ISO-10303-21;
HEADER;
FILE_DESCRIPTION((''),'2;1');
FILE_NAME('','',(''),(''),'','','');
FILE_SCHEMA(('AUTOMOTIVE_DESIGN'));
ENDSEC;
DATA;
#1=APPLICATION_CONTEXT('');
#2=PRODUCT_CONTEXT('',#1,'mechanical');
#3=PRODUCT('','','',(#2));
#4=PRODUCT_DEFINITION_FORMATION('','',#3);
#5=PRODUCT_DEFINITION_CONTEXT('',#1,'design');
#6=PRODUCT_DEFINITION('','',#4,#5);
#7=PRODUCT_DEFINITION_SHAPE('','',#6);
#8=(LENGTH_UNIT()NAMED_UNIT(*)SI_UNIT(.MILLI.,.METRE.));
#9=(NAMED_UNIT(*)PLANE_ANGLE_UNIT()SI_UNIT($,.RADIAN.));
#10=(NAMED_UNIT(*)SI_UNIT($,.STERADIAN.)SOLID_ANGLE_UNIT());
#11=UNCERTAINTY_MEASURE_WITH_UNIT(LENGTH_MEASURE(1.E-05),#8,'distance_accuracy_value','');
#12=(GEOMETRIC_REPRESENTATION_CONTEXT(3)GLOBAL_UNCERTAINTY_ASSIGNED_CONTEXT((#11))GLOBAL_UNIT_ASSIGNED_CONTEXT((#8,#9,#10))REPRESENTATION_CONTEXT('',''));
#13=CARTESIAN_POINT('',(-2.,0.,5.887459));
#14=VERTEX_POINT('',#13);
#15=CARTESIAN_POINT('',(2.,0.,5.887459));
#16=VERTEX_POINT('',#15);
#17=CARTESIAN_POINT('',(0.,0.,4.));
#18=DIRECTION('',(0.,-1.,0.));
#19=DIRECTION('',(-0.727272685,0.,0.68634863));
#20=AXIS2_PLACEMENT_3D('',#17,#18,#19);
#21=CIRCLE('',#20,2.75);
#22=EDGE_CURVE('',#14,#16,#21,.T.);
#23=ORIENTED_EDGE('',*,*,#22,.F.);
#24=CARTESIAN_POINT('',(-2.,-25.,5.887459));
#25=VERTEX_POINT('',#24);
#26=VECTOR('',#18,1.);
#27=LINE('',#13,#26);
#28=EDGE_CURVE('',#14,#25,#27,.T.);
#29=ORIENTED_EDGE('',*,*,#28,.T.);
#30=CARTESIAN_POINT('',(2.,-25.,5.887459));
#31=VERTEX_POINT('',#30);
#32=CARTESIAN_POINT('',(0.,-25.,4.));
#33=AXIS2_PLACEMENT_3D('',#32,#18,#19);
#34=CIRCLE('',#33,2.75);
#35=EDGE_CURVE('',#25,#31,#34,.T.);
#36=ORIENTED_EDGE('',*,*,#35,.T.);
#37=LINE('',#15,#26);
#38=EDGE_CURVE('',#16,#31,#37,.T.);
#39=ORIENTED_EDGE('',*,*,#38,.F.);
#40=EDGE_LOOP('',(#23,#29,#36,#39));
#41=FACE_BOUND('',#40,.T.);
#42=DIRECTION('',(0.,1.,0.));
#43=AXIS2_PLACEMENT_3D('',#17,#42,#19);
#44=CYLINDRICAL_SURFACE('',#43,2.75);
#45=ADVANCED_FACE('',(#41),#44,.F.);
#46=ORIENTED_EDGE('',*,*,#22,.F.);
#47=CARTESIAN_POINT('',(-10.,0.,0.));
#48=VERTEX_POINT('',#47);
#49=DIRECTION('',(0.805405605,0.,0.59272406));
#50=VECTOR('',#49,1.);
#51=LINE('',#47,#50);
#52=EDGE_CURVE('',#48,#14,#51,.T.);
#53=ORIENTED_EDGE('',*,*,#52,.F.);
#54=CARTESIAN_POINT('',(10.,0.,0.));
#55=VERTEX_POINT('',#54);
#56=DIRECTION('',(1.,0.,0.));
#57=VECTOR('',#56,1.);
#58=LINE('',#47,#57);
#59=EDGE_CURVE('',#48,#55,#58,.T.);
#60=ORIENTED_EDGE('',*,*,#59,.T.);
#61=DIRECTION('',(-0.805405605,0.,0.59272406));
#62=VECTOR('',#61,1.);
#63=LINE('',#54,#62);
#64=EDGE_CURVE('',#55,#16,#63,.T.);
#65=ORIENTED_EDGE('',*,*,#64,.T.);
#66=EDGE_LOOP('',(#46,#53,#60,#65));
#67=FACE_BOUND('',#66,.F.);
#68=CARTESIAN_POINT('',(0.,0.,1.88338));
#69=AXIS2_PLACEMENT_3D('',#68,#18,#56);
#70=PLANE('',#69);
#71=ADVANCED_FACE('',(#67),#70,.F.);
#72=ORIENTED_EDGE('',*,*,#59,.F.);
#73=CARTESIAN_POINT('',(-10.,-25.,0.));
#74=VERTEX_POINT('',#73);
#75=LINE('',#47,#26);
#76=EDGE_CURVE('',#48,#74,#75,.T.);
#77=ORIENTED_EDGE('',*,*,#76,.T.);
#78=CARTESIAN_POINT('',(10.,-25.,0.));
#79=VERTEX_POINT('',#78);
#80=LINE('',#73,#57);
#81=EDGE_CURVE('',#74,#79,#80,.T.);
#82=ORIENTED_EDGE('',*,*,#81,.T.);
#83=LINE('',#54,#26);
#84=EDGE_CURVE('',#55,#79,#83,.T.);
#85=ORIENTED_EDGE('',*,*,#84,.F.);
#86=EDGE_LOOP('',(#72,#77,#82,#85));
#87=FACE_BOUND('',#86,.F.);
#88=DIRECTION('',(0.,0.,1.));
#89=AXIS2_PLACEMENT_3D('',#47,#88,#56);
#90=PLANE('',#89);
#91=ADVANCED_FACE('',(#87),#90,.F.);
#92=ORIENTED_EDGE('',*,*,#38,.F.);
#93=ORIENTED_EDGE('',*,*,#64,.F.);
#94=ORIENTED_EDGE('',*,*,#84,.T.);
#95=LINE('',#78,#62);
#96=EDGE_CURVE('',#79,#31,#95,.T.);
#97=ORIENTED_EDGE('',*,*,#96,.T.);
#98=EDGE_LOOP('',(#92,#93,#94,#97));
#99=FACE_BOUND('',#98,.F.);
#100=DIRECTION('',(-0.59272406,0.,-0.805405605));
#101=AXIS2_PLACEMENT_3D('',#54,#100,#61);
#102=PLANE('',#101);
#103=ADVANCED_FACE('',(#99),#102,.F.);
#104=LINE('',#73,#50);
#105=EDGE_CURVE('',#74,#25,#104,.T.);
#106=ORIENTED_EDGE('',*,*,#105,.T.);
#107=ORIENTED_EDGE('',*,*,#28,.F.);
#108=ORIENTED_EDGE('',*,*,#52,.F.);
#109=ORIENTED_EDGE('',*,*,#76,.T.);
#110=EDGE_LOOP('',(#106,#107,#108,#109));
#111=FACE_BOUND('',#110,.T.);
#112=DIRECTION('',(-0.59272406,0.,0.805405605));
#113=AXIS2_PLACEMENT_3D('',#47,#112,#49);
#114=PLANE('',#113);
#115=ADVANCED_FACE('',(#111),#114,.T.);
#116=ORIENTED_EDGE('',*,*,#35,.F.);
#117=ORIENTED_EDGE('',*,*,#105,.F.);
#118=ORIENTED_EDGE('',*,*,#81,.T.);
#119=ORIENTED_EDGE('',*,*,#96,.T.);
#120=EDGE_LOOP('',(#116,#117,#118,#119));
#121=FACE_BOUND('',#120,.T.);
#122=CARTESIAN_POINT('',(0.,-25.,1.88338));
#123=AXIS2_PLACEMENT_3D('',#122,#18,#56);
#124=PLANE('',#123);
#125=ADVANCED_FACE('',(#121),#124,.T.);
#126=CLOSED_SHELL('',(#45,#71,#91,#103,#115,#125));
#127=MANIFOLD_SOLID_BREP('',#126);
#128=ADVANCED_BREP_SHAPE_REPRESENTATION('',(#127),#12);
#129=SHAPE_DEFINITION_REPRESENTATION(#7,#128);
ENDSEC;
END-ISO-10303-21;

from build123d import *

# Parameters (mm, degrees)
PAD_DEPTH = 25


with BuildPart() as part:
    # Sketch → Pad (new body)
    with BuildSketch(Plane.XZ):
        with BuildLine():
            Line((-10, 0), (10, 0))
            Line((10, 0), (2, 5.887459))
            ThreePointArc((-2, 5.887459), (0, 1.25), (2, 5.887459))
            Line((-10, 0), (-2, 5.887459))
        make_face()
    extrude(amount=PAD_DEPTH)


solid = part.part
